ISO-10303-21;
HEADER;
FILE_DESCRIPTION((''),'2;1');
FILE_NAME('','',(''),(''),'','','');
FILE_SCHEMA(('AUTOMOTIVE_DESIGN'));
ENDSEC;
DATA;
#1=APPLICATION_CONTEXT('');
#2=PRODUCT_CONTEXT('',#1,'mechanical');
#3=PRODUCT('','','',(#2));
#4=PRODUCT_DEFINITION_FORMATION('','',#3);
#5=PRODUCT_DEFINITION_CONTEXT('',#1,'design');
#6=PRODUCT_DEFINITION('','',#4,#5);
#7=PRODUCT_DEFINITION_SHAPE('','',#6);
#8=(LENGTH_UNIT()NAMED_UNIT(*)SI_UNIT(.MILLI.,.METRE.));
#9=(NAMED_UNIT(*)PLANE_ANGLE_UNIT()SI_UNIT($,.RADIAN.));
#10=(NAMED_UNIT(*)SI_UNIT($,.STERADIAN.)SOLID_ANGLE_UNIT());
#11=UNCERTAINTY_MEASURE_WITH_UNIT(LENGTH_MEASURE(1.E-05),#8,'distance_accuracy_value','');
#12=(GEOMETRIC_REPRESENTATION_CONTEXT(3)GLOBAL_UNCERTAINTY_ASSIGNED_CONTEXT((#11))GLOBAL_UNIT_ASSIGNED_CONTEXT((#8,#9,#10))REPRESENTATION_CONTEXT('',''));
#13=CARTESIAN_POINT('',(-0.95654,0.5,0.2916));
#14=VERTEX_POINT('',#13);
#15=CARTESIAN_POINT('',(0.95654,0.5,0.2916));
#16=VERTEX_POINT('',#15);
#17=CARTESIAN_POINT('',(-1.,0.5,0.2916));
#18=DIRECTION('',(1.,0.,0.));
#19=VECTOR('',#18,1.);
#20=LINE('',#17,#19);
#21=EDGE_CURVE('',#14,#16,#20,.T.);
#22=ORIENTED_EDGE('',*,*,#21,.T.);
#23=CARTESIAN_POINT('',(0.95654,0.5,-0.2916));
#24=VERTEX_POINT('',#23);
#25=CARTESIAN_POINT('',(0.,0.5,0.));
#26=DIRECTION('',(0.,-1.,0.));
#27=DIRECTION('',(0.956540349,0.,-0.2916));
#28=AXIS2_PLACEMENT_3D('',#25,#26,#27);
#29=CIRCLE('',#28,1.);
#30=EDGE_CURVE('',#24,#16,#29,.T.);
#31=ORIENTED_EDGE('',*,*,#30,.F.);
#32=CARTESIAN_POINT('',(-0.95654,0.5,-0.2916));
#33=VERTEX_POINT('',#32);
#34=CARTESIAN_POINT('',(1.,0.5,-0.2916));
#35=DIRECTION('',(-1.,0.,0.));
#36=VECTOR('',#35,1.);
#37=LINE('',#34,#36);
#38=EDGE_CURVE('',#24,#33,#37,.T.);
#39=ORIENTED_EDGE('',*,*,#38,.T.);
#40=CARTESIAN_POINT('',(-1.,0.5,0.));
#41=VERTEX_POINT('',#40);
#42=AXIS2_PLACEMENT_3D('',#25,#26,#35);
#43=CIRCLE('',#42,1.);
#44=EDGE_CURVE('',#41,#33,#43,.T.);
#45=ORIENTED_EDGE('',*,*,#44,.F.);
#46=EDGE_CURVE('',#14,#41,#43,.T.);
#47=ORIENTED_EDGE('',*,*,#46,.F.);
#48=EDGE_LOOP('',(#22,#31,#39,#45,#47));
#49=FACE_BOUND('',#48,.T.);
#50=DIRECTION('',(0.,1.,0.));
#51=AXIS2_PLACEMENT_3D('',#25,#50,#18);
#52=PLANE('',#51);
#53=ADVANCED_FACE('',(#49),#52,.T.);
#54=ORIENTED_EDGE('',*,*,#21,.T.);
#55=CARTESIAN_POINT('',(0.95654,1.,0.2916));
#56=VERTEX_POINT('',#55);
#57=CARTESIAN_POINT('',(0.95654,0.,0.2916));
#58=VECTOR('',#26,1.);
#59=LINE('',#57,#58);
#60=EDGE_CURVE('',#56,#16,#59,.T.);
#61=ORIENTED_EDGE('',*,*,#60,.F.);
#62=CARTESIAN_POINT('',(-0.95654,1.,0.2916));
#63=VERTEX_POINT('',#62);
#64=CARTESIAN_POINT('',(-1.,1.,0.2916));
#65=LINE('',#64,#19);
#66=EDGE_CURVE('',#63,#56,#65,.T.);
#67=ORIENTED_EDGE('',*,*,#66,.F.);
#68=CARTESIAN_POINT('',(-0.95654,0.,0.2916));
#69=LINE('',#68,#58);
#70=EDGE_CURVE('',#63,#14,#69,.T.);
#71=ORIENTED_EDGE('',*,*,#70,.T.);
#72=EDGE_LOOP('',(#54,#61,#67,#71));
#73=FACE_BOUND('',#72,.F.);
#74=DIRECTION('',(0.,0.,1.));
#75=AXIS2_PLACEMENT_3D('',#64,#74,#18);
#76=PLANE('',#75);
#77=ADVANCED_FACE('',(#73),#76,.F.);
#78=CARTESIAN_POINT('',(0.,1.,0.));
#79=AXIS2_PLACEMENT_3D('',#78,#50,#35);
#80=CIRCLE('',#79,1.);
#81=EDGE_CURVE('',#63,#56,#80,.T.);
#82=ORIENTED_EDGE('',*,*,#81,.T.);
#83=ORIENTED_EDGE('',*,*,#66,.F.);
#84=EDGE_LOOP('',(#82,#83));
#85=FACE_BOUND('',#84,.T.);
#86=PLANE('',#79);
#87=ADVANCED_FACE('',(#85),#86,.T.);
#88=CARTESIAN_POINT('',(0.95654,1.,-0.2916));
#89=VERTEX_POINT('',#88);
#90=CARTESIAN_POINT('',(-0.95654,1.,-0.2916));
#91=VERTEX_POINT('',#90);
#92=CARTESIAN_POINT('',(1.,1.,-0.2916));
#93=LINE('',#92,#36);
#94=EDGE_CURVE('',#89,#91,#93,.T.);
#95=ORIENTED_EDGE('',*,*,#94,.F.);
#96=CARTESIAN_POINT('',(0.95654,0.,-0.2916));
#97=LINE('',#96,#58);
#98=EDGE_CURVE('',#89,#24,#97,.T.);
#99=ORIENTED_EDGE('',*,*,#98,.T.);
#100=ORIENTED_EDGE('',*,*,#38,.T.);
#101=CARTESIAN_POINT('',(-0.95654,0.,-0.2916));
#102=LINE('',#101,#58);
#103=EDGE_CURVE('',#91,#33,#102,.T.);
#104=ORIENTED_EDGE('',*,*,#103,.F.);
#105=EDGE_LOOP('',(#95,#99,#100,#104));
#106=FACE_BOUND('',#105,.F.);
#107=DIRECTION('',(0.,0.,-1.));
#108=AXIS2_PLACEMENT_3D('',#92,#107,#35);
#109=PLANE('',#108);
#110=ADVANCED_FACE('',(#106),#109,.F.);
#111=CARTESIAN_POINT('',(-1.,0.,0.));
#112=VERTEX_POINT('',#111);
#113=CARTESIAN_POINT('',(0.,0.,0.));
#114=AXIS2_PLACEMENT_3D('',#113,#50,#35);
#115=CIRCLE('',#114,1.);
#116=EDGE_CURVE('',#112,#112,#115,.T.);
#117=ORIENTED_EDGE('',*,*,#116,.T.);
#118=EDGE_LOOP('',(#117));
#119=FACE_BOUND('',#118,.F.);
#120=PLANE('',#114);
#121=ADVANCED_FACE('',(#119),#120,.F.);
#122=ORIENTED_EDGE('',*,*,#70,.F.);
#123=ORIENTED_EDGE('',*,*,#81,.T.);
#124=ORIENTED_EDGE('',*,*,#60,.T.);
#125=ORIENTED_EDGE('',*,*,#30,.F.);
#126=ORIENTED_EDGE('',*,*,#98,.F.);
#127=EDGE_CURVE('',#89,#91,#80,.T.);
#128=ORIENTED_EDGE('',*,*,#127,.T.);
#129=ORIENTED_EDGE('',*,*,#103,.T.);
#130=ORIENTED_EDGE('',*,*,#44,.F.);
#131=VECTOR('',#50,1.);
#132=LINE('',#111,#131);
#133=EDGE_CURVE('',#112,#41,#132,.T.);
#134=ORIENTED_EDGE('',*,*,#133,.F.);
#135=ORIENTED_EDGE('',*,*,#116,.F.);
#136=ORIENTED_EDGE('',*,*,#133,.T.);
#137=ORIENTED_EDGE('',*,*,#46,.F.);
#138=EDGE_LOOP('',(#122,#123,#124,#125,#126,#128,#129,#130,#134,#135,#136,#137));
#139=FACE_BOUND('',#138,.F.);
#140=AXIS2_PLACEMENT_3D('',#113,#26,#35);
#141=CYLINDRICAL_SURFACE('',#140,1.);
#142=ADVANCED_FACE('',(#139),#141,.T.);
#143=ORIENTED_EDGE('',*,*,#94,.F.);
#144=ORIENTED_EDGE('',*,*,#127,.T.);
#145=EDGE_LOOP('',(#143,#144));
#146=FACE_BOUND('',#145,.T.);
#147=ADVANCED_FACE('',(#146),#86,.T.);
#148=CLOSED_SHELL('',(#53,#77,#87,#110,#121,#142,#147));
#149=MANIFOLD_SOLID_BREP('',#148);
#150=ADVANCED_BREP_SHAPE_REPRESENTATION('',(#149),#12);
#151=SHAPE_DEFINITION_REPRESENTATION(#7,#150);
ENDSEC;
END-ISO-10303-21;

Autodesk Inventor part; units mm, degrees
ref_plane "YZ Plane" through (0, 0, 0) normal (1, 0, 0) x (0, 1, 0)
ref_plane "XZ Plane" through (0, 0, 0) normal (0, 1, 0) x (-1, 0, 0)
ref_plane "XY Plane" through (0, 0, 0) normal (0, 0, 1) x (1, 0, 0)
sketch "Sketch1" plane through (0, 0, 0) normal (0, 1, 0) x (-1, 0, 0)
  circle A0 centre (0, 0) radius 1
  dimension "d0" = 2
extrude "Extrusion1" add sketch "Sketch1" along normal blind 1
sketch "Sketch2" plane through (0, 1, 0) normal (0, 1, 0) x (1, 0, 0)
  line L0 (-1, -0.2916) -> (1, -0.2916)
  line L1 (1, -0.2916) -> (1, 0.2916)
  line L2 (1, 0.2916) -> (-1, 0.2916)
  line L3 (-1, 0.2916) -> (-1, -0.2916)
  line L4 (-1, -0.2916) -> (1, 0.2916) construction
  line L5 (1, -0.2916) -> (-1, 0.2916) construction
  point P0 (0, 0)
extrude "Extrusion2" cut sketch "Sketch2" against normal blind 0.5
properties part number "screw" material "Steel, High Strength, Low Alloy"
